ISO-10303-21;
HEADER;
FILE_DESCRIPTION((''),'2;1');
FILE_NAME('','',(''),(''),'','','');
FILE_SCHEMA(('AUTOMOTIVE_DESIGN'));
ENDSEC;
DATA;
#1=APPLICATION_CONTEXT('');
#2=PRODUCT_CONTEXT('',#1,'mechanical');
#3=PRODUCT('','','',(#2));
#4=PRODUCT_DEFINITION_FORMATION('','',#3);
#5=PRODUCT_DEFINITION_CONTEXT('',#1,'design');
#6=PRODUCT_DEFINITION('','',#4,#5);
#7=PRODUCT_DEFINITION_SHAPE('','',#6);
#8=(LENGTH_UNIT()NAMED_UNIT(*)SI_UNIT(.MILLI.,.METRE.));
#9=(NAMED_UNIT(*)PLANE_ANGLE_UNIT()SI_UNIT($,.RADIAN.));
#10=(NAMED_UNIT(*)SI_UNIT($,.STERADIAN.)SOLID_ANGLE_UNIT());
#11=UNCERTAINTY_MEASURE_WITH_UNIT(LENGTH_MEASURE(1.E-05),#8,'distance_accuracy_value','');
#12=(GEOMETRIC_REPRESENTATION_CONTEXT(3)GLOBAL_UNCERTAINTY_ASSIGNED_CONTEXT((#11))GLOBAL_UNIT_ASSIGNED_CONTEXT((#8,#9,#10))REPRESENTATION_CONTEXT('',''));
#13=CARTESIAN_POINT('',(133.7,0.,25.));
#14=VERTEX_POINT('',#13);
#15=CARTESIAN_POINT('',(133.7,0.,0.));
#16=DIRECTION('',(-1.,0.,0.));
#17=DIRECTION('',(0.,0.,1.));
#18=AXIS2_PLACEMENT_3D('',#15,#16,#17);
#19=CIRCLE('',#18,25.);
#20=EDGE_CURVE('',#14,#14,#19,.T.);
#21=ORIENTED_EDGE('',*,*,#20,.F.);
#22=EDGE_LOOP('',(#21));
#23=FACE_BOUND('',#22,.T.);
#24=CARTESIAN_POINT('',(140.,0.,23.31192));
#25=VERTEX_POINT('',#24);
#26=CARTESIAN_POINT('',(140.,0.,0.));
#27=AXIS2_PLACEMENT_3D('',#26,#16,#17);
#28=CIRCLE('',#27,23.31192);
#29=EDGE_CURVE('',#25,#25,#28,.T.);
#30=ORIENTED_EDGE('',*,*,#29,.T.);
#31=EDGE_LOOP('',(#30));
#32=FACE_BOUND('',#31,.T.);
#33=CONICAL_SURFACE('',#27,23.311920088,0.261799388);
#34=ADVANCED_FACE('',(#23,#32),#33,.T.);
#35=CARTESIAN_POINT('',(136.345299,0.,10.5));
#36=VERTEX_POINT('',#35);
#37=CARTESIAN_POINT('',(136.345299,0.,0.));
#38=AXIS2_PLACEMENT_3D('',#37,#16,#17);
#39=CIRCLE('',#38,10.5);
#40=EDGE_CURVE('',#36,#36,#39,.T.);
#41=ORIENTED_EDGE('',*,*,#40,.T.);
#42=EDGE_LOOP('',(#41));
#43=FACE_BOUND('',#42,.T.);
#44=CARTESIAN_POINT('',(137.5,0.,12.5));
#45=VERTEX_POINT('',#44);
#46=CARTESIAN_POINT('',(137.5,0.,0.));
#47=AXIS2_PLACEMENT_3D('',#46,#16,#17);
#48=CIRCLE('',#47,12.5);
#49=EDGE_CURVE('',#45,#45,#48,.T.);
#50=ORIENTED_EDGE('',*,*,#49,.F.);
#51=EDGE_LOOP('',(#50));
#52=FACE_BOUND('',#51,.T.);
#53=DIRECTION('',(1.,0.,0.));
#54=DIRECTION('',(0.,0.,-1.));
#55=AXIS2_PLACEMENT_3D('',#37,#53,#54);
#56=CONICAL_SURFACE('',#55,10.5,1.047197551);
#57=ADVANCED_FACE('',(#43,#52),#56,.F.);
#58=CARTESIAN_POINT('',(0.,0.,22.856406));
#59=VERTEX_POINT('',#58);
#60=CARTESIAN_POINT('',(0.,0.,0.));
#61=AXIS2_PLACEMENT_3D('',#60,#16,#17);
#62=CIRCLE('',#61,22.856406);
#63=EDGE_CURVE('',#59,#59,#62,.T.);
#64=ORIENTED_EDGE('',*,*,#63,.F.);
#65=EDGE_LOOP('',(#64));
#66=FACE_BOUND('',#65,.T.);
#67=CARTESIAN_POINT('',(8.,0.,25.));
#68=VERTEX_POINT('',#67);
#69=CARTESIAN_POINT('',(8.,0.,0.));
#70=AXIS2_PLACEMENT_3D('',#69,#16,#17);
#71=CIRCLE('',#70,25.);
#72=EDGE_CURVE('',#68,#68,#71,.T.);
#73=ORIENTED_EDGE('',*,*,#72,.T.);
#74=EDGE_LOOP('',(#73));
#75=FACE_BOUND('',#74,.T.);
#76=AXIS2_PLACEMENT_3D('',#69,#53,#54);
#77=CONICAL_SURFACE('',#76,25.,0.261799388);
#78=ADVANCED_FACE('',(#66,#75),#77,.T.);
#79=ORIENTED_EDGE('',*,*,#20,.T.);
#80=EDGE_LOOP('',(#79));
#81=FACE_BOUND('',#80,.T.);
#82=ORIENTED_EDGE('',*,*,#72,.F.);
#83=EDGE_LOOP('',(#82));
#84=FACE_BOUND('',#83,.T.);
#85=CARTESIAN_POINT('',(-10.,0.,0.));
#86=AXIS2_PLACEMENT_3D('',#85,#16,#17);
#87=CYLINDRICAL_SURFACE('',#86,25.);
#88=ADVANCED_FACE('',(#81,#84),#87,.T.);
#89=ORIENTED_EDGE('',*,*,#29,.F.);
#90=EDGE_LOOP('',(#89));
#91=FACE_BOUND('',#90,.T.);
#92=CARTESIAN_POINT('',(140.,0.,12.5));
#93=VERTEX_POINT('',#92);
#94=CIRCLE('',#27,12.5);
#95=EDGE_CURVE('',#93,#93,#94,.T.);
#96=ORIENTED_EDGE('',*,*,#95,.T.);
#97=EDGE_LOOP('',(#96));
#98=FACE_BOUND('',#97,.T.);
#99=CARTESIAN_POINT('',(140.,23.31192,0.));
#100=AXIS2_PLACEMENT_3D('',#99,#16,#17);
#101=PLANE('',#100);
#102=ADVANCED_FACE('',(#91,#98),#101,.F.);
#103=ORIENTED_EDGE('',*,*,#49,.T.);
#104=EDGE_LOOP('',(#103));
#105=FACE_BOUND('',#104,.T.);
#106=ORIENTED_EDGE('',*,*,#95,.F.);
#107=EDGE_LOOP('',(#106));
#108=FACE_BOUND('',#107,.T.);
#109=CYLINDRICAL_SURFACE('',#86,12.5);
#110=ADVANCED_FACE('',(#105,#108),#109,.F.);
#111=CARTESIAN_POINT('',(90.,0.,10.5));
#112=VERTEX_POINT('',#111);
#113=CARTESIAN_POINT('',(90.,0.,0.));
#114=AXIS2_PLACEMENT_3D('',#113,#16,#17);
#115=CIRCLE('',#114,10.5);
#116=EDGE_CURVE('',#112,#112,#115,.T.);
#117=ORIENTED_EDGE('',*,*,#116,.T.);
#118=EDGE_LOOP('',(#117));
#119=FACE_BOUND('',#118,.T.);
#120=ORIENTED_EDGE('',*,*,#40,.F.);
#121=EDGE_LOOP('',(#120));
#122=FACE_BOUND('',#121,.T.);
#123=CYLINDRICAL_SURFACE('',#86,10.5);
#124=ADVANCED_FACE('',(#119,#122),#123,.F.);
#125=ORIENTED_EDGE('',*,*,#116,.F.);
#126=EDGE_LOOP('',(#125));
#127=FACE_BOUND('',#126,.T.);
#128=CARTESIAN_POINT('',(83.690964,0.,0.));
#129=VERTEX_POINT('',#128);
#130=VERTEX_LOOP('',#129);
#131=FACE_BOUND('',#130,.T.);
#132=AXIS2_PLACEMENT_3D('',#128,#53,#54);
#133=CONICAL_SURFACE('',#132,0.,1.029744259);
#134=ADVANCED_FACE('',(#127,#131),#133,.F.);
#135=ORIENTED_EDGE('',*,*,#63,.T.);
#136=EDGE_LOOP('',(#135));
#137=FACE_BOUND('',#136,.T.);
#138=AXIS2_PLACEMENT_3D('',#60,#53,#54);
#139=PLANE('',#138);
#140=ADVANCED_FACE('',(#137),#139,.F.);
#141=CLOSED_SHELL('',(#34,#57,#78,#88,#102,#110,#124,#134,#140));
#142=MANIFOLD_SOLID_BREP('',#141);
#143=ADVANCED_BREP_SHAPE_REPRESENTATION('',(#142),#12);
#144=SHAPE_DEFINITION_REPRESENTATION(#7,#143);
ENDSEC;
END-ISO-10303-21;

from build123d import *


with BuildPart() as part:
    # Sketch1 → Base-Revolve (revolve)
    with BuildSketch(Plane.XY, mode=Mode.PRIVATE) as base_revolve_sk:
        Polygon((0, 0), (0, 22.856406461), (8, 25), (133.7, 25), (140, 23.311920088), (140, 12.5), (137.5, 12.5), (136.345299462, 10.5), (90, 10.5), (83.6909635, 0), align=None)
    revolve(base_revolve_sk.sketch.rotate(Axis((-10, 0, 0), (1, 0, 0)), 90), axis=Axis((-10, 0, 0), (1, 0, 0)))


solid = part.part
